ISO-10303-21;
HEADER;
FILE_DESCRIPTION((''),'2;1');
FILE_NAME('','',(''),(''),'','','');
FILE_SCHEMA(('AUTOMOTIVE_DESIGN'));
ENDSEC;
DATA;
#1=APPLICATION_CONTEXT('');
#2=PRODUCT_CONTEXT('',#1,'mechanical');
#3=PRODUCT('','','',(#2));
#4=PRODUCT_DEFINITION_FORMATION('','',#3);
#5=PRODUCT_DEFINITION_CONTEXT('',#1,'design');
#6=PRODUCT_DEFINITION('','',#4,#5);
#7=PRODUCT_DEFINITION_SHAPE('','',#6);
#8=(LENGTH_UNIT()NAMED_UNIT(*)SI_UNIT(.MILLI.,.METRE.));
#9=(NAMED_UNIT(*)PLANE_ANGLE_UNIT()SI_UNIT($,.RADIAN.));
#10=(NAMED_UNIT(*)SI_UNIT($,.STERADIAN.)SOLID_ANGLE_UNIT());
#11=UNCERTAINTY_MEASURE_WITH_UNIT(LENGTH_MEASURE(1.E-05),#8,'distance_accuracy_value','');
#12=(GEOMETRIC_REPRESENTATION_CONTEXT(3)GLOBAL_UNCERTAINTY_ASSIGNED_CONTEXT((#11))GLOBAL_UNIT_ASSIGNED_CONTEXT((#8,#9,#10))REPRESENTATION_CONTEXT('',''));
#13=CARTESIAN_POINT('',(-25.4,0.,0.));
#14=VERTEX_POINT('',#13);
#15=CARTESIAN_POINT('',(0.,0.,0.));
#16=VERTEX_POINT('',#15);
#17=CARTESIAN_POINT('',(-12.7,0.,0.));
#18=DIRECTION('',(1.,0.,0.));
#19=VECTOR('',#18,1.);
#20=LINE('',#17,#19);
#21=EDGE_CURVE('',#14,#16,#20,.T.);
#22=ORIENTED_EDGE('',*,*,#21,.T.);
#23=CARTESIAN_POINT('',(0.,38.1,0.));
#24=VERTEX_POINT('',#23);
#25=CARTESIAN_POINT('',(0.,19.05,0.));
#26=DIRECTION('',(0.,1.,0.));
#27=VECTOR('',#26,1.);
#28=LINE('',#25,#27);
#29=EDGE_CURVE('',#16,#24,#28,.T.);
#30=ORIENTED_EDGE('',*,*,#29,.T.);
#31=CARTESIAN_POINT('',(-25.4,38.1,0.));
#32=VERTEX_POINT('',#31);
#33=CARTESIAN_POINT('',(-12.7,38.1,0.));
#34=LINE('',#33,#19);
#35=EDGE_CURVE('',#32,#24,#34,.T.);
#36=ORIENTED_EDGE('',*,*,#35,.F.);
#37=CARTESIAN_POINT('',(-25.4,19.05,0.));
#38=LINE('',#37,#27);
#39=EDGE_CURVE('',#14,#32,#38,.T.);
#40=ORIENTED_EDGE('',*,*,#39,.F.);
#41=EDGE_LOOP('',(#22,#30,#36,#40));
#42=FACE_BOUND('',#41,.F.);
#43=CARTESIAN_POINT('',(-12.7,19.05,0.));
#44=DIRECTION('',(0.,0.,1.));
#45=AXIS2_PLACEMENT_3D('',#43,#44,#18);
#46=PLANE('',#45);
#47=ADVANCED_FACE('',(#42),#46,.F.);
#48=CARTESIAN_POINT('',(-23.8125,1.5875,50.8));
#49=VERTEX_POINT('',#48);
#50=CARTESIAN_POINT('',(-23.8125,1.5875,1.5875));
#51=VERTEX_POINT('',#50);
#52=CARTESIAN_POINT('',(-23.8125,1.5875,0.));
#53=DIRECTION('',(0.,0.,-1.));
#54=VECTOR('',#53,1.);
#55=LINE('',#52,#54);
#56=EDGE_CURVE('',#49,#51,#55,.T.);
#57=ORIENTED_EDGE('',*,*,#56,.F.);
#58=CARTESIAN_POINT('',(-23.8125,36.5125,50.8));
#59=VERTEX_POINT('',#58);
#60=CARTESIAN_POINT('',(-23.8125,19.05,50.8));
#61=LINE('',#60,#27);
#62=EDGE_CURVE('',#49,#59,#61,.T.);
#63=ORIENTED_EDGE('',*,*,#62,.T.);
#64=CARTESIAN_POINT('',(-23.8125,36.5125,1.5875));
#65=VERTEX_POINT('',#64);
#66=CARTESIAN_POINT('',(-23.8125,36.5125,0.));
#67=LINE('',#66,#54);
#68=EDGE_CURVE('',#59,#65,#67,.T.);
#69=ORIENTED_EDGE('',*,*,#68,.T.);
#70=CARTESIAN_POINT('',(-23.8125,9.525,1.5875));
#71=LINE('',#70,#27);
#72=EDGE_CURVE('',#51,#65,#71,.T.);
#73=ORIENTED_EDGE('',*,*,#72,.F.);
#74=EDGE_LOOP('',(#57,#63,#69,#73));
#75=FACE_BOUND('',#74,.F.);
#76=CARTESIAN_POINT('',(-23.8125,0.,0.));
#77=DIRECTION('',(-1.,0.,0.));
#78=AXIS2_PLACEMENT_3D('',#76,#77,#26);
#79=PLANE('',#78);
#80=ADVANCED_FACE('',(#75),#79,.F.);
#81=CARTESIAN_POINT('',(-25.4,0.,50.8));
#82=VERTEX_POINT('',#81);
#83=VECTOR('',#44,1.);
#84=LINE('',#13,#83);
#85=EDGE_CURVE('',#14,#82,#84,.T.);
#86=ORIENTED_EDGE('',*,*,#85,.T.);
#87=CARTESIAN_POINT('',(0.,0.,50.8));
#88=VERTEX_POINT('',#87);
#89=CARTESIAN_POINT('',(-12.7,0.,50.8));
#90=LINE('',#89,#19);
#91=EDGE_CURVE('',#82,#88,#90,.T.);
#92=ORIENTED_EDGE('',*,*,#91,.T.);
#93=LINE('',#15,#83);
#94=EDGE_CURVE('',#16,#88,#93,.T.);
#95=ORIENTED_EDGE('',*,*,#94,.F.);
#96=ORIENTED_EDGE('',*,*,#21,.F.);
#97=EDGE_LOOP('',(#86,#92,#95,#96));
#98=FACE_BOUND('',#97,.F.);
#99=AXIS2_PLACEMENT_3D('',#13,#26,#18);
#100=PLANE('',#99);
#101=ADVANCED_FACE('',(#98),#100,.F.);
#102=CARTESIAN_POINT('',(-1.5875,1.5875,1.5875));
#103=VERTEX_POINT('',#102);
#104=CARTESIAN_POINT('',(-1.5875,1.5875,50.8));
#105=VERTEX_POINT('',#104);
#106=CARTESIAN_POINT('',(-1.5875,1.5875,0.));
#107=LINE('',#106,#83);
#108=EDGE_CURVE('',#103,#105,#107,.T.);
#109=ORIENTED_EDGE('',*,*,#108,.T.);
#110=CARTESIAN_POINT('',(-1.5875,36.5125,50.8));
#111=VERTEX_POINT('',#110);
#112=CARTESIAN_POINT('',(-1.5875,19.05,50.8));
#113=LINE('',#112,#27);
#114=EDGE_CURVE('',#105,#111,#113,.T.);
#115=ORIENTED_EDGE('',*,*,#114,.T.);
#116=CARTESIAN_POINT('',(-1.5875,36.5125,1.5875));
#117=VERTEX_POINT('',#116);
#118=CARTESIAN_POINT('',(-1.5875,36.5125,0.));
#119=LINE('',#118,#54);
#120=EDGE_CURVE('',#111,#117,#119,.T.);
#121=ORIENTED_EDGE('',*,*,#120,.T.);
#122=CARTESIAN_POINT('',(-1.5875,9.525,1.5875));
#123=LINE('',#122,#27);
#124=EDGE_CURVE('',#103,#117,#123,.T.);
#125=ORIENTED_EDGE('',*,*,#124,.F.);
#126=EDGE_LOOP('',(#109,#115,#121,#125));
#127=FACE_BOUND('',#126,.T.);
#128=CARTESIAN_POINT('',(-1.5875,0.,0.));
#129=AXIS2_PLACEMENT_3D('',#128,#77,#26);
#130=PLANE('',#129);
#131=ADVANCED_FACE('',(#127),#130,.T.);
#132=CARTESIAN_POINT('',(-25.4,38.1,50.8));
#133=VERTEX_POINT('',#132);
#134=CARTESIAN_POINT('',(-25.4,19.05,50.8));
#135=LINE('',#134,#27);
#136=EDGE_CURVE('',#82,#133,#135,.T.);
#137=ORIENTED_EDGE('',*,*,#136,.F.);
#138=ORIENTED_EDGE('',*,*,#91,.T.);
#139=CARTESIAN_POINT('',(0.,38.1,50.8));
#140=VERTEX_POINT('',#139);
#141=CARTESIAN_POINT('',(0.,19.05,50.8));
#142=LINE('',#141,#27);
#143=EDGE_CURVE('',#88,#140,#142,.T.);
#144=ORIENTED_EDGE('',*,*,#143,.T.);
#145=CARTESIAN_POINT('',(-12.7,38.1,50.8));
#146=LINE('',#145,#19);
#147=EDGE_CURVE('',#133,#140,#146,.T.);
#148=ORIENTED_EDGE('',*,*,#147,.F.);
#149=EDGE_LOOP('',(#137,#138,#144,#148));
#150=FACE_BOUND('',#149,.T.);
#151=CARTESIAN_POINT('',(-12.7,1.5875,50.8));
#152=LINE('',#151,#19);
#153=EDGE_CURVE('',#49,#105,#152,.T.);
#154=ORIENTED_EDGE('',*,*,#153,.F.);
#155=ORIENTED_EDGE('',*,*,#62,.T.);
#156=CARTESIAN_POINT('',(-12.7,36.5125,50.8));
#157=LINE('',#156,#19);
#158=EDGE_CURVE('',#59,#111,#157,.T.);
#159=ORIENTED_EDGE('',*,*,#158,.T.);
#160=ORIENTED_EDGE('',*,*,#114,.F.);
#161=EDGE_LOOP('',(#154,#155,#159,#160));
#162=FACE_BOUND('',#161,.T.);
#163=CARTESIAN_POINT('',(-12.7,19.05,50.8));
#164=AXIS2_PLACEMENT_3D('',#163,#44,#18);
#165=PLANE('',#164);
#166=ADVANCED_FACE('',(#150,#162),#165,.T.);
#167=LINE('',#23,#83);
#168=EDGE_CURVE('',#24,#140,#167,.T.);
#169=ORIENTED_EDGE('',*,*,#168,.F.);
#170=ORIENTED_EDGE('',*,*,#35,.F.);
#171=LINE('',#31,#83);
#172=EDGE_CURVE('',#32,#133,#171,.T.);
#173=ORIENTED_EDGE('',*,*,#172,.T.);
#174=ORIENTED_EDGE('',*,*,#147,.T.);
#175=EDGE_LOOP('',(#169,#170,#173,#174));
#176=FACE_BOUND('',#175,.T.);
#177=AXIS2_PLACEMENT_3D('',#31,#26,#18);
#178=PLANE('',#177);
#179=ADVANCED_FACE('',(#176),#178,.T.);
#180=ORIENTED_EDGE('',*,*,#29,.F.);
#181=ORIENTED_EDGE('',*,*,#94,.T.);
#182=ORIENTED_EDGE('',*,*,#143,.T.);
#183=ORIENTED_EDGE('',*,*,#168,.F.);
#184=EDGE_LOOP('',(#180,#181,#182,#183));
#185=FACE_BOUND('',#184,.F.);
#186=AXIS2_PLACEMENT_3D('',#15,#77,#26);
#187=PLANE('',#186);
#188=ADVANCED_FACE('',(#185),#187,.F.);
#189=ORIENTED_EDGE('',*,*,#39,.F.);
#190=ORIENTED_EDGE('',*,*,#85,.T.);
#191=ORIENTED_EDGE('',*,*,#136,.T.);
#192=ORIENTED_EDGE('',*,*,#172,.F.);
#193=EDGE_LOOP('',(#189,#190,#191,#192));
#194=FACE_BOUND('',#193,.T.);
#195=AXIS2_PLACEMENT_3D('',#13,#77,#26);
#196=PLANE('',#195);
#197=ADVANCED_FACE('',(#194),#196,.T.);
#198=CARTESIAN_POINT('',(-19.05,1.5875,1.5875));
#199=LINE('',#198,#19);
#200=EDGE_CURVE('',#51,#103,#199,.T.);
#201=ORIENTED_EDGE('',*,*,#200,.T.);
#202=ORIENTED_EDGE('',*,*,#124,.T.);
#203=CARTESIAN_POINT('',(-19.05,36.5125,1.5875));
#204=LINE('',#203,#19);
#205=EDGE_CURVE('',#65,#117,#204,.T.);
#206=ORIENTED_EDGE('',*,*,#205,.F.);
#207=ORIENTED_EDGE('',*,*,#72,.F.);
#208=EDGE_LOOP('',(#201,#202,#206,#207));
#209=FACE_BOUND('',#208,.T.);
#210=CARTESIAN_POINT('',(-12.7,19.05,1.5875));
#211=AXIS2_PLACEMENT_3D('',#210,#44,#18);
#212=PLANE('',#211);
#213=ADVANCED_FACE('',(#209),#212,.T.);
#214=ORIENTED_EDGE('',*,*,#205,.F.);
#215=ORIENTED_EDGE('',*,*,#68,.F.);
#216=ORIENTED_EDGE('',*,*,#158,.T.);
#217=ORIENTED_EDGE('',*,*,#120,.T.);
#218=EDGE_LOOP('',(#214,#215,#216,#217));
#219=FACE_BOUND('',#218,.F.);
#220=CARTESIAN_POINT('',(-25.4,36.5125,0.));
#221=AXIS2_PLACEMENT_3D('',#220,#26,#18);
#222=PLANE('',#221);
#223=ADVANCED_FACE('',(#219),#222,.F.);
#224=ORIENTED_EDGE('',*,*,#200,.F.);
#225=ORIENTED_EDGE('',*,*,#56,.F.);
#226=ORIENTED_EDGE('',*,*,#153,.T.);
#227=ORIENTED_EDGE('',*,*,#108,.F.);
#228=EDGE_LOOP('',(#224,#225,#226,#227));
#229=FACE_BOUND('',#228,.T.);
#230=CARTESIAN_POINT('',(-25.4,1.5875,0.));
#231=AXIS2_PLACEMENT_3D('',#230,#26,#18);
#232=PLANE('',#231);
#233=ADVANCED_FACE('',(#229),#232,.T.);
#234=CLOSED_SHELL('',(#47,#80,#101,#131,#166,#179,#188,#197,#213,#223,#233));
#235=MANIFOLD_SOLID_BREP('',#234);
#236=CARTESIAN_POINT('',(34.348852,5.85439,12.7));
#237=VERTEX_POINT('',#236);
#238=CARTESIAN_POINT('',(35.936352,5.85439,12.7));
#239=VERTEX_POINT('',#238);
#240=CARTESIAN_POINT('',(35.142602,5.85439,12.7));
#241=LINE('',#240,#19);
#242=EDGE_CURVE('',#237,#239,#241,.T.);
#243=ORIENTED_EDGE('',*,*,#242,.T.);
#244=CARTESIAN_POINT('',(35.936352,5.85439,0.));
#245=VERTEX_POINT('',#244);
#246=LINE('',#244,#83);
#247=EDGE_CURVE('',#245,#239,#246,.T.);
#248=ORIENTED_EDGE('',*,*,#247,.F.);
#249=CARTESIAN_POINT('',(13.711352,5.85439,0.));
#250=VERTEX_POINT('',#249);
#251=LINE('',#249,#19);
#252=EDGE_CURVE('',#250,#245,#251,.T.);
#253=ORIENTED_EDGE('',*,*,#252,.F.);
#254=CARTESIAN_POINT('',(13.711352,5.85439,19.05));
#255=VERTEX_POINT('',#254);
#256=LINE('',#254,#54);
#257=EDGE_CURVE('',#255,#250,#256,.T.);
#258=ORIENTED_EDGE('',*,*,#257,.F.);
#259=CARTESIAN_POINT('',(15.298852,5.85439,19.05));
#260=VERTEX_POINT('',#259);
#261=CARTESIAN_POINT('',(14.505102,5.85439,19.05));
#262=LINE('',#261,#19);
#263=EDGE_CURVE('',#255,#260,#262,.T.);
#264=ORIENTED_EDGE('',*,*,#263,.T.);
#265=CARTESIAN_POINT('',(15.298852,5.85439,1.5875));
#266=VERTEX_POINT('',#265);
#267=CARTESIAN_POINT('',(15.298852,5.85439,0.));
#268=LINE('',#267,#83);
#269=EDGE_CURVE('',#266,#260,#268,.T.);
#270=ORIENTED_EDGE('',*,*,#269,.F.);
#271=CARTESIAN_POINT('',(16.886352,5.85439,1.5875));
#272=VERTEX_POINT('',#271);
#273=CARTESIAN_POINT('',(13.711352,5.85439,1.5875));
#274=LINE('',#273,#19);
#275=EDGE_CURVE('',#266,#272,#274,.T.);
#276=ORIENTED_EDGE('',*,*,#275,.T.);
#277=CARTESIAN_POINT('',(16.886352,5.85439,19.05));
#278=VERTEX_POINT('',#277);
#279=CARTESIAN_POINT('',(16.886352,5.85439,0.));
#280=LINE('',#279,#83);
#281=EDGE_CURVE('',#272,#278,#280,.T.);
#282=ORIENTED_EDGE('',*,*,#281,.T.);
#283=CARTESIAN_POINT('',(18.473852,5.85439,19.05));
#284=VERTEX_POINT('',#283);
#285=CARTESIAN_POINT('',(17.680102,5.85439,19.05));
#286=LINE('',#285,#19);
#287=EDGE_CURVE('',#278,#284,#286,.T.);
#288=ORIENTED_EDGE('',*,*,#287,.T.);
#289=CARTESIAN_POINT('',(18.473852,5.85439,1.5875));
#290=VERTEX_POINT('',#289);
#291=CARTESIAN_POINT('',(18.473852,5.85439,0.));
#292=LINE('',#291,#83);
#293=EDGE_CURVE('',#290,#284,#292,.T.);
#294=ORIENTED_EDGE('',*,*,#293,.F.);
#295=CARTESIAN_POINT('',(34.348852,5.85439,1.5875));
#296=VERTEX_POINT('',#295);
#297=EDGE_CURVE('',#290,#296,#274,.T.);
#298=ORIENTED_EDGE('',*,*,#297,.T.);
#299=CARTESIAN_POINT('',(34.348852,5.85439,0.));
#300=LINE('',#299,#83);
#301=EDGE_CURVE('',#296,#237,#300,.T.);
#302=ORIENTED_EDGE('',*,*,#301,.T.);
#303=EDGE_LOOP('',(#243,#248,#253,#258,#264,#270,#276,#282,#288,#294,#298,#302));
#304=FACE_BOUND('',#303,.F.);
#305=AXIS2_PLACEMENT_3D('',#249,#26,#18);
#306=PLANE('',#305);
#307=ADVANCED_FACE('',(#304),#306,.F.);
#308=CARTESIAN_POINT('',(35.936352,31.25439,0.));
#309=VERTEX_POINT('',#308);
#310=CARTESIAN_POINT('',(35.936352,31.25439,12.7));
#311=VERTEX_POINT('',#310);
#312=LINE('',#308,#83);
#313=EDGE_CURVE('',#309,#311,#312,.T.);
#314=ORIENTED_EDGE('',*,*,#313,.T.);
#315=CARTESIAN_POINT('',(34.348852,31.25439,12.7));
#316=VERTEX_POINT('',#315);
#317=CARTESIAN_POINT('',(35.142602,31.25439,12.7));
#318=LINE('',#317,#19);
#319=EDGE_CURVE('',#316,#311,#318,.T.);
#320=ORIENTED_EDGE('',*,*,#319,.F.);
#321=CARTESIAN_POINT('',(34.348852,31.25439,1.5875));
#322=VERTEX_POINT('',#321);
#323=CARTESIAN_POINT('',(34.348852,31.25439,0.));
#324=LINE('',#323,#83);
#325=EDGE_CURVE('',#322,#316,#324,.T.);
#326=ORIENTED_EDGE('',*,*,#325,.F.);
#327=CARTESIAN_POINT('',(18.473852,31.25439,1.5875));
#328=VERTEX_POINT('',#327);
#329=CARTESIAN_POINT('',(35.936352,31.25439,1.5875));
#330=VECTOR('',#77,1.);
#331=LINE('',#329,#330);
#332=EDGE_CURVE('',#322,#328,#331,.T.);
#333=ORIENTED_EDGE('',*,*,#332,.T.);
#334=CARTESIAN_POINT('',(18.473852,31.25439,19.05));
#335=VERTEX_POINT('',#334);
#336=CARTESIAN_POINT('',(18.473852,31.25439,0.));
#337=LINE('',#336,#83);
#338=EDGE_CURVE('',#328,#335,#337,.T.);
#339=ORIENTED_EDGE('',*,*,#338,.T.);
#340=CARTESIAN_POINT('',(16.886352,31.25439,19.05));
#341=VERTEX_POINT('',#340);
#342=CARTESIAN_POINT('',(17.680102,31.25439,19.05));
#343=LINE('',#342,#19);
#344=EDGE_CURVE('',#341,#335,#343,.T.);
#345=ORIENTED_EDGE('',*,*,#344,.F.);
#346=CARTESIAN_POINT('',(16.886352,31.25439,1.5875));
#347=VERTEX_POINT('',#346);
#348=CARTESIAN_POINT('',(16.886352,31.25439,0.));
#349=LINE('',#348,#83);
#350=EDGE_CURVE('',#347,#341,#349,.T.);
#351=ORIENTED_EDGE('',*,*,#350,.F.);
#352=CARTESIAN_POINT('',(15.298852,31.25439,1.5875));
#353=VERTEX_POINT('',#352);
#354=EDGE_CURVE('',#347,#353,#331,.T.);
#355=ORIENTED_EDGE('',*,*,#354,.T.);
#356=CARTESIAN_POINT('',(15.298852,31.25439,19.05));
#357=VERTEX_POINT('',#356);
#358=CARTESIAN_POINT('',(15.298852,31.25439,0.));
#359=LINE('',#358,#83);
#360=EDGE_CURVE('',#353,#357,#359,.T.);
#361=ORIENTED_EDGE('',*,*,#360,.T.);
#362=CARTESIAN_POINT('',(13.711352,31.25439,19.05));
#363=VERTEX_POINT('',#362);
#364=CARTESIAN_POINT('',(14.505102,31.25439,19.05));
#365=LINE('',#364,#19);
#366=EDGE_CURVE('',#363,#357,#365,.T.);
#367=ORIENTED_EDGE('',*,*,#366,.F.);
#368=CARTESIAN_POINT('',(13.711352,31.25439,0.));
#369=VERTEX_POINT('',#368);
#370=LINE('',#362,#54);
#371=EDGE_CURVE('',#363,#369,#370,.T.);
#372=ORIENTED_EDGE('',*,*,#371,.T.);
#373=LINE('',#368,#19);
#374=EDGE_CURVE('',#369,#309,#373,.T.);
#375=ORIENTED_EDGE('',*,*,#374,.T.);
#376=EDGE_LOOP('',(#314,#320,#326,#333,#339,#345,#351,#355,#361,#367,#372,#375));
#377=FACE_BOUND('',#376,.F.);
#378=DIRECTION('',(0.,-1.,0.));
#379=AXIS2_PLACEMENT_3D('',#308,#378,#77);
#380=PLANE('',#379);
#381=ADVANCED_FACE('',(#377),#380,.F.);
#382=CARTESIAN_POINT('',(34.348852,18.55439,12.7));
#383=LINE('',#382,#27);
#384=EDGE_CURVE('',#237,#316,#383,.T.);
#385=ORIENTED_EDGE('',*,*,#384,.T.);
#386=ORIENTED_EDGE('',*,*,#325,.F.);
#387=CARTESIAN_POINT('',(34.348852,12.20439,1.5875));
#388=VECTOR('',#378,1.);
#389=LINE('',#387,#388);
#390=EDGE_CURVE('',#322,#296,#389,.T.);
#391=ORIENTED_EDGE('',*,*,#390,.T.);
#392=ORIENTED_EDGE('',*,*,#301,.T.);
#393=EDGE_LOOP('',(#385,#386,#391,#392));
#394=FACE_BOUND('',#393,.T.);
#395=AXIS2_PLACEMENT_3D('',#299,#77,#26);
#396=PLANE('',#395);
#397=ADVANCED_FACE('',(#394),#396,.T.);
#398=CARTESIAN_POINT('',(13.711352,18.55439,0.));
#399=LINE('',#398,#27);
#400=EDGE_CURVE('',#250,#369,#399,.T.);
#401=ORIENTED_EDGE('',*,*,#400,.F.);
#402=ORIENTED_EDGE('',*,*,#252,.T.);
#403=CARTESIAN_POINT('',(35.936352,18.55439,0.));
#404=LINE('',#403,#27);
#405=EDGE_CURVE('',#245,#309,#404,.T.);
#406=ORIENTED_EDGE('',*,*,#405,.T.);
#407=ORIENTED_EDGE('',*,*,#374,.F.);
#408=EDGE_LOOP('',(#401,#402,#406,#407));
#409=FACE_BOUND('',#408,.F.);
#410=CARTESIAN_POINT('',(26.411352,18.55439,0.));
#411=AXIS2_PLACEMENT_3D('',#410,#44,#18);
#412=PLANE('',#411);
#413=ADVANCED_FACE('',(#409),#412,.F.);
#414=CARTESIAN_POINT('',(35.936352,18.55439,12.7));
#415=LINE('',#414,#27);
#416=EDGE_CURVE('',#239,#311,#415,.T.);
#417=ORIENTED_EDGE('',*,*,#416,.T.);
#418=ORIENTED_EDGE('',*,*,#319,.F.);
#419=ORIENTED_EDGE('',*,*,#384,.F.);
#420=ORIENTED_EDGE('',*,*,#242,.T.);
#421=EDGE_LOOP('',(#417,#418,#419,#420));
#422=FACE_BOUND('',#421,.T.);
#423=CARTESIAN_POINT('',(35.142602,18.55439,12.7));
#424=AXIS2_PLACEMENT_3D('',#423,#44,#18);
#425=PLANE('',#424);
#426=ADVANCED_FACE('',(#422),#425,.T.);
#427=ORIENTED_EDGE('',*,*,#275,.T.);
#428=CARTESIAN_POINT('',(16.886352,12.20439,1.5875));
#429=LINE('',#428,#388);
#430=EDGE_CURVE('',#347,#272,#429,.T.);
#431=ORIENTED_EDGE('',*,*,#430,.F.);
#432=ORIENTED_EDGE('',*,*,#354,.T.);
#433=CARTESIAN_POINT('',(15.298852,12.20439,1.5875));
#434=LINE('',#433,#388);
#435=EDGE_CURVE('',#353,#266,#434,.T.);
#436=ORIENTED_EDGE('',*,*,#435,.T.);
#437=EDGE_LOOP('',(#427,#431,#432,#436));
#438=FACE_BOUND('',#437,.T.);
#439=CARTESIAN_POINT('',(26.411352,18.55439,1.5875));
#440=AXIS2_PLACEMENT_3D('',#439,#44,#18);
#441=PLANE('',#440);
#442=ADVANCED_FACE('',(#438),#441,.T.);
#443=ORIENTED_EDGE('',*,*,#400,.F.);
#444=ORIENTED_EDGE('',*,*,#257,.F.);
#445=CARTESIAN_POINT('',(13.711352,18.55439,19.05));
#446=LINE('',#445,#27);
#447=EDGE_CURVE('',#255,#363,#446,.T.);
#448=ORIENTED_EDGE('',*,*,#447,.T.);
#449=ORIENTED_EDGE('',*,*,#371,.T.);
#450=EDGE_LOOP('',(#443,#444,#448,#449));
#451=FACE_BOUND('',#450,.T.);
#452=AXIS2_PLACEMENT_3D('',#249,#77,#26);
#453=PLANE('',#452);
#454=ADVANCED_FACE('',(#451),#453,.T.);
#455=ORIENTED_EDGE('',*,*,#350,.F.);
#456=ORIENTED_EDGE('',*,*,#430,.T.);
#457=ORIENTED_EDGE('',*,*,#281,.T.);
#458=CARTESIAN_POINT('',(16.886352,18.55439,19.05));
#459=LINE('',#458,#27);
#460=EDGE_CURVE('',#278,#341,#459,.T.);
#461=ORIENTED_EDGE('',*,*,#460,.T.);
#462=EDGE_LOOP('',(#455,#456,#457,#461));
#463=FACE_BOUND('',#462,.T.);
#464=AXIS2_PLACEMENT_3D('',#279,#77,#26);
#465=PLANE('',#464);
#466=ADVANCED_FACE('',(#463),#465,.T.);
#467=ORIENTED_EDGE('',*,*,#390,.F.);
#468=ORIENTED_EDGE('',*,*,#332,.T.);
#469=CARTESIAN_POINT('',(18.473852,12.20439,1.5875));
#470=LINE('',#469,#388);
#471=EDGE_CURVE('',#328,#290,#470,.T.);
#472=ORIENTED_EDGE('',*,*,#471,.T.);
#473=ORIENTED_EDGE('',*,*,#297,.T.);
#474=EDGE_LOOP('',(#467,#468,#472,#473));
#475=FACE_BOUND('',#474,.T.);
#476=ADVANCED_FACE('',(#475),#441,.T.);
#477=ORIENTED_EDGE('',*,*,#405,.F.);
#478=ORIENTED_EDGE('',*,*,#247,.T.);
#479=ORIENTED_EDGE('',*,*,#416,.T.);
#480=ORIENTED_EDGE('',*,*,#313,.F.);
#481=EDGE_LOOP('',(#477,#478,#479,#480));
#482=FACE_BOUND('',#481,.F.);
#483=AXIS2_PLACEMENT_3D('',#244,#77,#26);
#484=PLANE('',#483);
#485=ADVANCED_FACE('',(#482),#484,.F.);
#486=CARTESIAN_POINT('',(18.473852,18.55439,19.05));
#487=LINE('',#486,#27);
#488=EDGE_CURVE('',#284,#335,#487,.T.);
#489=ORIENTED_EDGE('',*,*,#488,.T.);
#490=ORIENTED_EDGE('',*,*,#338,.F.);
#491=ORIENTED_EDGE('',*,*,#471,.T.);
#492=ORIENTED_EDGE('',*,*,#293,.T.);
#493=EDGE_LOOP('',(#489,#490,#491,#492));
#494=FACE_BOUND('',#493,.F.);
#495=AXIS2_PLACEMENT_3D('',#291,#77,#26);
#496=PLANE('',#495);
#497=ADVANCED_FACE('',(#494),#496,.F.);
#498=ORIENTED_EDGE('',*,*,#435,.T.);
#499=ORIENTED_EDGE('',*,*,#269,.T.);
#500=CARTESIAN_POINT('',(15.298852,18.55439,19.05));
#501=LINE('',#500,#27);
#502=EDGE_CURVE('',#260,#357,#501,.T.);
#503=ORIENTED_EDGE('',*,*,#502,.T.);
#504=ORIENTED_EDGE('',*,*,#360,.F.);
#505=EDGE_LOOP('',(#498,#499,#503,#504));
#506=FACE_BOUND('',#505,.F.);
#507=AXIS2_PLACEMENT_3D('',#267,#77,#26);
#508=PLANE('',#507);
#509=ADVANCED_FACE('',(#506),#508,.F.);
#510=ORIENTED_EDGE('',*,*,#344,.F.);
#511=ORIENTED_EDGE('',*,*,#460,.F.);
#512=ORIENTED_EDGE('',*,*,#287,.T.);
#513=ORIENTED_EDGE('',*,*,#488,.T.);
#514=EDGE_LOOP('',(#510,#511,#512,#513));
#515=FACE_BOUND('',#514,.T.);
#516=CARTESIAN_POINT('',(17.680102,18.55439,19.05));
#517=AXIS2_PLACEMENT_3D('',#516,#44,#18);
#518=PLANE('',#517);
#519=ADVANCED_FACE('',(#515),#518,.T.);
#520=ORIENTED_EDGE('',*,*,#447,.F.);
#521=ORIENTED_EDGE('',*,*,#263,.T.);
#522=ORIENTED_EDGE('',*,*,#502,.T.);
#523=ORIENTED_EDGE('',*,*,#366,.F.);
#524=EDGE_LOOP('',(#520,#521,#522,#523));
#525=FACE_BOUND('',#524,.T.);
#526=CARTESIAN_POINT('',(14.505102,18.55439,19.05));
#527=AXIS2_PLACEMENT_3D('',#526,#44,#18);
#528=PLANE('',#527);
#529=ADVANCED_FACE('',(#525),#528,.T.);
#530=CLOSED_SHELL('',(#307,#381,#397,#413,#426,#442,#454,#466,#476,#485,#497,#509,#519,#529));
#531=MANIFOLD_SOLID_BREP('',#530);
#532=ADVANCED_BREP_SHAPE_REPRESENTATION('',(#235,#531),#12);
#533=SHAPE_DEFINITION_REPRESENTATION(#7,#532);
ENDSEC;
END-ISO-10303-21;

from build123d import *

# Parameters (mm, degrees)
F0_W     = 25.4
F0_H     = 38.1
F1_DEPTH = 50.8
F2_T     = -1.5875
F3_W     = 15.875
F3_H     = 25.4
F3_W_2   = 1.5875
F4_DEPTH = 1.5875
F5_DEPTH = 19.05
F6_DEPTH = 12.7


with BuildPart() as f1:
    # F0 (on Top) → F1 (new body)
    with BuildSketch(Plane.XY):
        with Locations((-12.7, 19.05)):
            Rectangle(F0_W, F0_H)
    extrude(amount=F1_DEPTH)

    # F2
    f2_openings = [f1.faces().sort_by_distance(p)[0] for p in [
        (-12.7, 19.05, 50.8),
    ]]
    offset(amount=F2_T, openings=f2_openings)


with BuildPart() as f4:
    # F3 (on Top) → F4 (new body)
    with BuildSketch(Plane.XY):
        with Locations((26.411352, 18.55439)):
            Rectangle(F3_W, F3_H)
        with Locations((35.142602, 18.55439)):
            Rectangle(F3_W_2, F3_H)
        with Locations((17.680102, 18.55439)):
            Rectangle(F3_W_2, F3_H)
        with Locations((16.092602, 18.55439)):
            Rectangle(F3_W_2, F3_H)
        with Locations((14.505102, 18.55439)):
            Rectangle(F3_W_2, F3_H)
    extrude(amount=F4_DEPTH)

    # F3 (on Top) → F5 (join)
    with BuildSketch(Plane.XY):
        with Locations((14.505102, 18.55439)):
            Rectangle(F3_W_2, F3_H)
        with Locations((17.680102, 18.55439)):
            Rectangle(F3_W_2, F3_H)
    extrude(amount=F5_DEPTH)

    # F3 (on Top) → F6 (join)
    with BuildSketch(Plane.XY):
        with Locations((35.142602, 18.55439)):
            Rectangle(F3_W_2, F3_H)
    extrude(amount=F6_DEPTH)


solid = Compound([f1.part, f4.part])
